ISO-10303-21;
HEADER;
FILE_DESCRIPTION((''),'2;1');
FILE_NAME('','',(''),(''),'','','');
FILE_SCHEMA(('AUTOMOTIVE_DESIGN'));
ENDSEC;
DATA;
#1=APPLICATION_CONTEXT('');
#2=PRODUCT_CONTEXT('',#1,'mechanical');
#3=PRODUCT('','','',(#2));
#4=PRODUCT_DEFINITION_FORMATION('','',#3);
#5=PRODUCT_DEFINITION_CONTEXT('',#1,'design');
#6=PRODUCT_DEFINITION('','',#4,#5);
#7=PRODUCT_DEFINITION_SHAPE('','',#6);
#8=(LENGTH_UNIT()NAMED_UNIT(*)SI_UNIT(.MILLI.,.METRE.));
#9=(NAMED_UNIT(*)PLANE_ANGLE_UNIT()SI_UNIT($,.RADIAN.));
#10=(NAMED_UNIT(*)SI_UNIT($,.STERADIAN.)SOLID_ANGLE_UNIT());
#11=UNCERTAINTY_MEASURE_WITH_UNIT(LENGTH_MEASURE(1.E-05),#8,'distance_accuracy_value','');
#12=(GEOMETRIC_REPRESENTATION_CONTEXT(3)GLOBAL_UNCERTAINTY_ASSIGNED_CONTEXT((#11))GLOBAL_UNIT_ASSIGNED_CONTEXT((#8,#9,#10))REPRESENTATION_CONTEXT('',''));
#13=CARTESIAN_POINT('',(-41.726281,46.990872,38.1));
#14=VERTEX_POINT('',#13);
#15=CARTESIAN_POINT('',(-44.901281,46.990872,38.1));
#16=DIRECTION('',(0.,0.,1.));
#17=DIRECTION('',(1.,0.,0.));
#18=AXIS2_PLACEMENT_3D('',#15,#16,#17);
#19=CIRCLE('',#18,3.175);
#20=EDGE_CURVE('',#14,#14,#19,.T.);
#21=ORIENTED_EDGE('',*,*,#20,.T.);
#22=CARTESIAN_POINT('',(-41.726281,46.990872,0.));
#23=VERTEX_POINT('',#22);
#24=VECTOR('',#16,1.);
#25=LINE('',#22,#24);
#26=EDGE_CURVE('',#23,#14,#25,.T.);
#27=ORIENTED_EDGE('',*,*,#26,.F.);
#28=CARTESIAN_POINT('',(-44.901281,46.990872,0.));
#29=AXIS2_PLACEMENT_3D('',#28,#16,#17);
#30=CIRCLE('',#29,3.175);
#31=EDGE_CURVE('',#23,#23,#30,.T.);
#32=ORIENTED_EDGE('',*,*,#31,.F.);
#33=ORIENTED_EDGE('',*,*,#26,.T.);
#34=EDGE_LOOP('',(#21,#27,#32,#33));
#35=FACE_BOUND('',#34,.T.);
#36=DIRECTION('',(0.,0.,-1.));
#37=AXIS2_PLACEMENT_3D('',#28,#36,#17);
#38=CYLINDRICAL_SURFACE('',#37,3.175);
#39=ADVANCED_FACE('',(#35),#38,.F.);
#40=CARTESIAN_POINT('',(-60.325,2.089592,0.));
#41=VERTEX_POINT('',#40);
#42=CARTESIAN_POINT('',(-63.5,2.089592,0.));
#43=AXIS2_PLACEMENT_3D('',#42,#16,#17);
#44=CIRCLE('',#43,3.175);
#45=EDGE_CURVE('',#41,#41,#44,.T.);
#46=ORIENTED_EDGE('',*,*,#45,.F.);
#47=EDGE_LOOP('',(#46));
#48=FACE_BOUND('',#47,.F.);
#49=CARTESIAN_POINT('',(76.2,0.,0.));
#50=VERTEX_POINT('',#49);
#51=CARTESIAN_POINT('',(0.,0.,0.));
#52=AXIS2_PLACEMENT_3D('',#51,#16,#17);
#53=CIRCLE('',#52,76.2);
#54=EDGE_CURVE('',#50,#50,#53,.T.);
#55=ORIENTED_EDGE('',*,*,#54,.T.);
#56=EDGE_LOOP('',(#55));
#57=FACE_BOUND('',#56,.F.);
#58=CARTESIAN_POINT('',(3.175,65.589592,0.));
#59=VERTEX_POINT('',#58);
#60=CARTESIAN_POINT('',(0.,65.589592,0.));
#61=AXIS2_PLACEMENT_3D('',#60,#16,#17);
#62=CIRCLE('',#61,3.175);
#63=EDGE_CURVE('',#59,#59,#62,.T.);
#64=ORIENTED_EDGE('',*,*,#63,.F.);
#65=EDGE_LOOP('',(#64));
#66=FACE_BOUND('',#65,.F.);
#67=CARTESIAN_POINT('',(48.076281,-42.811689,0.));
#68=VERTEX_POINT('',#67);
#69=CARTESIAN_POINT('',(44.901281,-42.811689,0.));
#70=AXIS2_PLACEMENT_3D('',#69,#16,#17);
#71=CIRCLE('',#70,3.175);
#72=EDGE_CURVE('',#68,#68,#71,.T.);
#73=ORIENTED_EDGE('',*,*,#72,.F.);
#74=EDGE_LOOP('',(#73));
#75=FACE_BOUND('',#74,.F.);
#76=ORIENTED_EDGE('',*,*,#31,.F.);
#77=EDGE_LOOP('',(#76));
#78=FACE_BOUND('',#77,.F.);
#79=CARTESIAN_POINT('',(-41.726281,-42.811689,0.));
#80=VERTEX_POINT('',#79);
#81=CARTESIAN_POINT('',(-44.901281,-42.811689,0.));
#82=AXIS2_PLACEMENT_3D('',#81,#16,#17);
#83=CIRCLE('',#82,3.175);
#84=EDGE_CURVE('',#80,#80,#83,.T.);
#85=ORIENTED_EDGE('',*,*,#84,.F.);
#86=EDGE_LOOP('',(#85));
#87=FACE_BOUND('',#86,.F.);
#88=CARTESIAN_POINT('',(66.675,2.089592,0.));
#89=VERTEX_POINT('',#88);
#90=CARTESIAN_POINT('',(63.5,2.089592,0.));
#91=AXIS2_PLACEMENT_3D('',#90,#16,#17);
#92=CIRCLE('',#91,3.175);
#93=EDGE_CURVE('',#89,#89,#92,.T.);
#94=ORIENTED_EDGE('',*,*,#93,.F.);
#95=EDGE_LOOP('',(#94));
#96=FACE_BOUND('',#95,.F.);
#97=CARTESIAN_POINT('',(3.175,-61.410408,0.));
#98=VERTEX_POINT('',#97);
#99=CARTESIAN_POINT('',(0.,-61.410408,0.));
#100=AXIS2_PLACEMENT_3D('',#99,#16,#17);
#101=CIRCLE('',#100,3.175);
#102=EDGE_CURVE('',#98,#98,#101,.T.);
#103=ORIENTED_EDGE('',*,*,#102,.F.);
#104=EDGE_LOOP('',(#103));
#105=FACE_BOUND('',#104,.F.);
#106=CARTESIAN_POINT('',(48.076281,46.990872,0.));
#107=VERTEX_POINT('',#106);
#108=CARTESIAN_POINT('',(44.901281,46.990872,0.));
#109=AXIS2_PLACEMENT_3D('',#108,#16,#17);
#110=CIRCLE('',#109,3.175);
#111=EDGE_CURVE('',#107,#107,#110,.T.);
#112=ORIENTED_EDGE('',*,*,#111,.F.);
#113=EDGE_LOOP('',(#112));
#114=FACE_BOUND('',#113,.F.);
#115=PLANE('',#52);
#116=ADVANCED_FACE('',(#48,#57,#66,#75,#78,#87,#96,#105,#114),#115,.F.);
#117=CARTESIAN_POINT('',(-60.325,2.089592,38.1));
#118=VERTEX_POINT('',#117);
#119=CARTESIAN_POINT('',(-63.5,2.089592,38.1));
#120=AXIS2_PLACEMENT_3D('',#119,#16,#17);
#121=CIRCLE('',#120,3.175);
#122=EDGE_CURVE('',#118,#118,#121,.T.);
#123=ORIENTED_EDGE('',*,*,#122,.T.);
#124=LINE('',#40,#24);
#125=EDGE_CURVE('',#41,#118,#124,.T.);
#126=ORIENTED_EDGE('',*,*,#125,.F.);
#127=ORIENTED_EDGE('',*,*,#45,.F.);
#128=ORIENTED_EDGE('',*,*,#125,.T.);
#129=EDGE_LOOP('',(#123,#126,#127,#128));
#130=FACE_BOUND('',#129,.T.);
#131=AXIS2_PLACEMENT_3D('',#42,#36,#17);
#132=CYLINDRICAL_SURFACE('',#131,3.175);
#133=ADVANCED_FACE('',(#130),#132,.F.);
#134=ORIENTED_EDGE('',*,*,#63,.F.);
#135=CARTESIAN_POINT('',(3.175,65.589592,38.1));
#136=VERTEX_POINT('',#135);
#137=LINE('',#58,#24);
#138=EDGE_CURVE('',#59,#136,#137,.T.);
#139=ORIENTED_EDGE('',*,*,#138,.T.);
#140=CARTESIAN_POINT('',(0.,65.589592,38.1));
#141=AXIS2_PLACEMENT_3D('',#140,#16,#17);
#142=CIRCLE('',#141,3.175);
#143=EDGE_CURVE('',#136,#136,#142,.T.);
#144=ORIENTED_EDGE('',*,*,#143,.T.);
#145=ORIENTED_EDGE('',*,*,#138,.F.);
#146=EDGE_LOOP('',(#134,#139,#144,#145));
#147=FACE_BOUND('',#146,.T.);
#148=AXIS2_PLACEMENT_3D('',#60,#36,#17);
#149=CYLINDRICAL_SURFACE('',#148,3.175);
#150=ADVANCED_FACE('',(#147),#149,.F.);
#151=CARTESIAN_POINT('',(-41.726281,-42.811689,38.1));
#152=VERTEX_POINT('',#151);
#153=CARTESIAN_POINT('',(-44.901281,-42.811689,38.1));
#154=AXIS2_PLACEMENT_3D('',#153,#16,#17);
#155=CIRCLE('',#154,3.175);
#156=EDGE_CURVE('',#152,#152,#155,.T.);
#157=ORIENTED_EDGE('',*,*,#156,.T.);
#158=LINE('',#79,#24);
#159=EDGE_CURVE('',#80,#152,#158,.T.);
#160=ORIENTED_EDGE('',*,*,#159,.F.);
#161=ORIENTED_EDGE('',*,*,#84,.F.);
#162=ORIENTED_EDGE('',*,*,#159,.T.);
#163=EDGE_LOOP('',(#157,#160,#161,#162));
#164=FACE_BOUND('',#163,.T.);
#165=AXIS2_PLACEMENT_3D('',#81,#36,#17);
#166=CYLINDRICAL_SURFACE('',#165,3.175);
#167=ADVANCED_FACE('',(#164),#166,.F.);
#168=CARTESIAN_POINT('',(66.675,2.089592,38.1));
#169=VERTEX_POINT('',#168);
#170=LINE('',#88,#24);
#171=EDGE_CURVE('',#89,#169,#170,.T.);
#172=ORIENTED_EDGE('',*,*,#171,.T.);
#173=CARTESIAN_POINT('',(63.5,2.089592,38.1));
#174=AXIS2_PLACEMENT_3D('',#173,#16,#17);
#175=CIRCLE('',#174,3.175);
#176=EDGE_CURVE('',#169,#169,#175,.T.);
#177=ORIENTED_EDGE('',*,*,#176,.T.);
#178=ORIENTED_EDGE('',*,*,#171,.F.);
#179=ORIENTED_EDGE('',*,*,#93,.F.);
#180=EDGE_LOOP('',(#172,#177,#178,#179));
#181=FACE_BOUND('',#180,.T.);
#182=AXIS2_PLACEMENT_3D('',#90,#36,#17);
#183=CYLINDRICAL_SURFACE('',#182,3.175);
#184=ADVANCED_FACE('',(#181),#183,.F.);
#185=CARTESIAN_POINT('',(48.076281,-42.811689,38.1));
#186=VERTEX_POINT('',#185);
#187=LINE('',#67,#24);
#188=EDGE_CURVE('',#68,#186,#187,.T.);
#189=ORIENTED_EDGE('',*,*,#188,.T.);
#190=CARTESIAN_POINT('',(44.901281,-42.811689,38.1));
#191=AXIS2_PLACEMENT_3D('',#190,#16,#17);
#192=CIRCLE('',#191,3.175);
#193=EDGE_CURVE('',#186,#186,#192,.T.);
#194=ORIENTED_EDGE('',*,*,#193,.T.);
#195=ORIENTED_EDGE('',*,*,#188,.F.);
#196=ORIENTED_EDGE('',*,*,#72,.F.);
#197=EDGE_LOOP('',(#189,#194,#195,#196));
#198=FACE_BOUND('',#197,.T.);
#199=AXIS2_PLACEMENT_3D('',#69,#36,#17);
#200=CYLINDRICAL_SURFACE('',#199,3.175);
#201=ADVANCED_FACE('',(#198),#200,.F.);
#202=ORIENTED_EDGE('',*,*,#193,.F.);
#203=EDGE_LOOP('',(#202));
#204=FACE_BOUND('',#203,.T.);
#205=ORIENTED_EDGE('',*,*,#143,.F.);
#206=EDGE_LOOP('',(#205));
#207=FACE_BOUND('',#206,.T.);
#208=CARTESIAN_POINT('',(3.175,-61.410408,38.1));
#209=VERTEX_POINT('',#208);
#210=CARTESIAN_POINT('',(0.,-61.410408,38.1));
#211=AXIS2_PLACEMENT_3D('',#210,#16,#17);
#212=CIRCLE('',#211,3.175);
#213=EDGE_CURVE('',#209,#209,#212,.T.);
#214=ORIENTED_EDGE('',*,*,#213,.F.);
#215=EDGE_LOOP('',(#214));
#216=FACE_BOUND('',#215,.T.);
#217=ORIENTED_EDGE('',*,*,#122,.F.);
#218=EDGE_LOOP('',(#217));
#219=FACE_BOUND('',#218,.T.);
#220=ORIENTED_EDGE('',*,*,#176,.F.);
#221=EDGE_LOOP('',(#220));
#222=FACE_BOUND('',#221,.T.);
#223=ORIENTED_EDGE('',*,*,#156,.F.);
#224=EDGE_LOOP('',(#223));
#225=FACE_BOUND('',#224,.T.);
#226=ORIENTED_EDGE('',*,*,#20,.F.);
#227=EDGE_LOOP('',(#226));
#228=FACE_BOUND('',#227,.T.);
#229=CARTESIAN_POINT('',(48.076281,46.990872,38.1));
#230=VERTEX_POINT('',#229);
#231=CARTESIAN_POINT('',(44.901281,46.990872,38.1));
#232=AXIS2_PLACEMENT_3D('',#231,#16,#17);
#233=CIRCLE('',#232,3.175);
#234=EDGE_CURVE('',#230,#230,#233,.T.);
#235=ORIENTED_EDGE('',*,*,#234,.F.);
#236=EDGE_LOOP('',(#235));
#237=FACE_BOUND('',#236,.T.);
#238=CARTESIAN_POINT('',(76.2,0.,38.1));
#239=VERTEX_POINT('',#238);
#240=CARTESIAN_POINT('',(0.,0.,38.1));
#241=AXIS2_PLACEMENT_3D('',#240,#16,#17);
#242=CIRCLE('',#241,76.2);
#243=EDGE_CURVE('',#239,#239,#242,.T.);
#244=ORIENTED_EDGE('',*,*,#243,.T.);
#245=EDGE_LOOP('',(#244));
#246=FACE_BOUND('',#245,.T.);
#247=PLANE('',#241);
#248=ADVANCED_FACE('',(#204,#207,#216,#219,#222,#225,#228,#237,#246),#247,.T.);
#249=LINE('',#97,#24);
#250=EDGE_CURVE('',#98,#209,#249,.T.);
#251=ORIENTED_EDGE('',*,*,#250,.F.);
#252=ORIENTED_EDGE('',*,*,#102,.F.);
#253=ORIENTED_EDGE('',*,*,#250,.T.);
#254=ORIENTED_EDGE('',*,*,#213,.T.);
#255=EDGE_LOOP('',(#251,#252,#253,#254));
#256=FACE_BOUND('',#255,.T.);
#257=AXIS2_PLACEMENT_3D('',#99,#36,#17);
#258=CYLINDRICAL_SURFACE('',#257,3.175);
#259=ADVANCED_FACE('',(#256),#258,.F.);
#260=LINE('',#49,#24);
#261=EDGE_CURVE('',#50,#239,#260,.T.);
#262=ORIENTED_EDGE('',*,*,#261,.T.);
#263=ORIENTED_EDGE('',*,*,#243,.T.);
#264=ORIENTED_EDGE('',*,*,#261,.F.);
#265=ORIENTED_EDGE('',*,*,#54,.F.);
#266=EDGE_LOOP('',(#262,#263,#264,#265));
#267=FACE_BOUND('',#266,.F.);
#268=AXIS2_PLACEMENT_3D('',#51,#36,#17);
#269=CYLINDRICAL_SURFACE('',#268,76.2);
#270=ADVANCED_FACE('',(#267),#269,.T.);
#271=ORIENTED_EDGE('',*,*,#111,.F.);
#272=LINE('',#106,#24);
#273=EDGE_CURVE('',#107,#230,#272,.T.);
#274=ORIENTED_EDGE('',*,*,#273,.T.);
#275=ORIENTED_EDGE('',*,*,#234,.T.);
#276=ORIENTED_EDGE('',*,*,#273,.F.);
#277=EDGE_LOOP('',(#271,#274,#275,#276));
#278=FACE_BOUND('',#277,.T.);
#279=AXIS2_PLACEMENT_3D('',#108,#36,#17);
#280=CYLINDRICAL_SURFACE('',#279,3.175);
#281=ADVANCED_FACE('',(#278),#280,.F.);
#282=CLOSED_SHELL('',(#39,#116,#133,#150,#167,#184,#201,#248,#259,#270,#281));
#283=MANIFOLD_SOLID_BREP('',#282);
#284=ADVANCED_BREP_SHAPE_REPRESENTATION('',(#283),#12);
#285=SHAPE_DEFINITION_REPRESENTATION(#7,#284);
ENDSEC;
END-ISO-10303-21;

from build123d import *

# Parameters (mm, degrees)
F0_R     = 76.2
F0_R_2   = 3.175
F1_DEPTH = 38.1


with BuildPart() as f1:
    # F0 (on Top) → F1 (new body)
    with BuildSketch(Plane.XY):
        Circle(F0_R)
        with Locations((-44.901281, -42.811689)):
            Circle(F0_R_2, mode=Mode.SUBTRACT)
        with Locations((0, -61.410408)):
            Circle(F0_R_2, mode=Mode.SUBTRACT)
        with Locations((44.901281, -42.811689)):
            Circle(F0_R_2, mode=Mode.SUBTRACT)
        with Locations((-63.5, 2.089592)):
            Circle(F0_R_2, mode=Mode.SUBTRACT)
        with Locations((-44.901281, 46.990872)):
            Circle(F0_R_2, mode=Mode.SUBTRACT)
        with Locations((63.5, 2.089592)):
            Circle(F0_R_2, mode=Mode.SUBTRACT)
        with Locations((0, 65.589592)):
            Circle(F0_R_2, mode=Mode.SUBTRACT)
        with Locations((44.901281, 46.990872)):
            Circle(F0_R_2, mode=Mode.SUBTRACT)
    extrude(amount=F1_DEPTH)


solid = f1.part
